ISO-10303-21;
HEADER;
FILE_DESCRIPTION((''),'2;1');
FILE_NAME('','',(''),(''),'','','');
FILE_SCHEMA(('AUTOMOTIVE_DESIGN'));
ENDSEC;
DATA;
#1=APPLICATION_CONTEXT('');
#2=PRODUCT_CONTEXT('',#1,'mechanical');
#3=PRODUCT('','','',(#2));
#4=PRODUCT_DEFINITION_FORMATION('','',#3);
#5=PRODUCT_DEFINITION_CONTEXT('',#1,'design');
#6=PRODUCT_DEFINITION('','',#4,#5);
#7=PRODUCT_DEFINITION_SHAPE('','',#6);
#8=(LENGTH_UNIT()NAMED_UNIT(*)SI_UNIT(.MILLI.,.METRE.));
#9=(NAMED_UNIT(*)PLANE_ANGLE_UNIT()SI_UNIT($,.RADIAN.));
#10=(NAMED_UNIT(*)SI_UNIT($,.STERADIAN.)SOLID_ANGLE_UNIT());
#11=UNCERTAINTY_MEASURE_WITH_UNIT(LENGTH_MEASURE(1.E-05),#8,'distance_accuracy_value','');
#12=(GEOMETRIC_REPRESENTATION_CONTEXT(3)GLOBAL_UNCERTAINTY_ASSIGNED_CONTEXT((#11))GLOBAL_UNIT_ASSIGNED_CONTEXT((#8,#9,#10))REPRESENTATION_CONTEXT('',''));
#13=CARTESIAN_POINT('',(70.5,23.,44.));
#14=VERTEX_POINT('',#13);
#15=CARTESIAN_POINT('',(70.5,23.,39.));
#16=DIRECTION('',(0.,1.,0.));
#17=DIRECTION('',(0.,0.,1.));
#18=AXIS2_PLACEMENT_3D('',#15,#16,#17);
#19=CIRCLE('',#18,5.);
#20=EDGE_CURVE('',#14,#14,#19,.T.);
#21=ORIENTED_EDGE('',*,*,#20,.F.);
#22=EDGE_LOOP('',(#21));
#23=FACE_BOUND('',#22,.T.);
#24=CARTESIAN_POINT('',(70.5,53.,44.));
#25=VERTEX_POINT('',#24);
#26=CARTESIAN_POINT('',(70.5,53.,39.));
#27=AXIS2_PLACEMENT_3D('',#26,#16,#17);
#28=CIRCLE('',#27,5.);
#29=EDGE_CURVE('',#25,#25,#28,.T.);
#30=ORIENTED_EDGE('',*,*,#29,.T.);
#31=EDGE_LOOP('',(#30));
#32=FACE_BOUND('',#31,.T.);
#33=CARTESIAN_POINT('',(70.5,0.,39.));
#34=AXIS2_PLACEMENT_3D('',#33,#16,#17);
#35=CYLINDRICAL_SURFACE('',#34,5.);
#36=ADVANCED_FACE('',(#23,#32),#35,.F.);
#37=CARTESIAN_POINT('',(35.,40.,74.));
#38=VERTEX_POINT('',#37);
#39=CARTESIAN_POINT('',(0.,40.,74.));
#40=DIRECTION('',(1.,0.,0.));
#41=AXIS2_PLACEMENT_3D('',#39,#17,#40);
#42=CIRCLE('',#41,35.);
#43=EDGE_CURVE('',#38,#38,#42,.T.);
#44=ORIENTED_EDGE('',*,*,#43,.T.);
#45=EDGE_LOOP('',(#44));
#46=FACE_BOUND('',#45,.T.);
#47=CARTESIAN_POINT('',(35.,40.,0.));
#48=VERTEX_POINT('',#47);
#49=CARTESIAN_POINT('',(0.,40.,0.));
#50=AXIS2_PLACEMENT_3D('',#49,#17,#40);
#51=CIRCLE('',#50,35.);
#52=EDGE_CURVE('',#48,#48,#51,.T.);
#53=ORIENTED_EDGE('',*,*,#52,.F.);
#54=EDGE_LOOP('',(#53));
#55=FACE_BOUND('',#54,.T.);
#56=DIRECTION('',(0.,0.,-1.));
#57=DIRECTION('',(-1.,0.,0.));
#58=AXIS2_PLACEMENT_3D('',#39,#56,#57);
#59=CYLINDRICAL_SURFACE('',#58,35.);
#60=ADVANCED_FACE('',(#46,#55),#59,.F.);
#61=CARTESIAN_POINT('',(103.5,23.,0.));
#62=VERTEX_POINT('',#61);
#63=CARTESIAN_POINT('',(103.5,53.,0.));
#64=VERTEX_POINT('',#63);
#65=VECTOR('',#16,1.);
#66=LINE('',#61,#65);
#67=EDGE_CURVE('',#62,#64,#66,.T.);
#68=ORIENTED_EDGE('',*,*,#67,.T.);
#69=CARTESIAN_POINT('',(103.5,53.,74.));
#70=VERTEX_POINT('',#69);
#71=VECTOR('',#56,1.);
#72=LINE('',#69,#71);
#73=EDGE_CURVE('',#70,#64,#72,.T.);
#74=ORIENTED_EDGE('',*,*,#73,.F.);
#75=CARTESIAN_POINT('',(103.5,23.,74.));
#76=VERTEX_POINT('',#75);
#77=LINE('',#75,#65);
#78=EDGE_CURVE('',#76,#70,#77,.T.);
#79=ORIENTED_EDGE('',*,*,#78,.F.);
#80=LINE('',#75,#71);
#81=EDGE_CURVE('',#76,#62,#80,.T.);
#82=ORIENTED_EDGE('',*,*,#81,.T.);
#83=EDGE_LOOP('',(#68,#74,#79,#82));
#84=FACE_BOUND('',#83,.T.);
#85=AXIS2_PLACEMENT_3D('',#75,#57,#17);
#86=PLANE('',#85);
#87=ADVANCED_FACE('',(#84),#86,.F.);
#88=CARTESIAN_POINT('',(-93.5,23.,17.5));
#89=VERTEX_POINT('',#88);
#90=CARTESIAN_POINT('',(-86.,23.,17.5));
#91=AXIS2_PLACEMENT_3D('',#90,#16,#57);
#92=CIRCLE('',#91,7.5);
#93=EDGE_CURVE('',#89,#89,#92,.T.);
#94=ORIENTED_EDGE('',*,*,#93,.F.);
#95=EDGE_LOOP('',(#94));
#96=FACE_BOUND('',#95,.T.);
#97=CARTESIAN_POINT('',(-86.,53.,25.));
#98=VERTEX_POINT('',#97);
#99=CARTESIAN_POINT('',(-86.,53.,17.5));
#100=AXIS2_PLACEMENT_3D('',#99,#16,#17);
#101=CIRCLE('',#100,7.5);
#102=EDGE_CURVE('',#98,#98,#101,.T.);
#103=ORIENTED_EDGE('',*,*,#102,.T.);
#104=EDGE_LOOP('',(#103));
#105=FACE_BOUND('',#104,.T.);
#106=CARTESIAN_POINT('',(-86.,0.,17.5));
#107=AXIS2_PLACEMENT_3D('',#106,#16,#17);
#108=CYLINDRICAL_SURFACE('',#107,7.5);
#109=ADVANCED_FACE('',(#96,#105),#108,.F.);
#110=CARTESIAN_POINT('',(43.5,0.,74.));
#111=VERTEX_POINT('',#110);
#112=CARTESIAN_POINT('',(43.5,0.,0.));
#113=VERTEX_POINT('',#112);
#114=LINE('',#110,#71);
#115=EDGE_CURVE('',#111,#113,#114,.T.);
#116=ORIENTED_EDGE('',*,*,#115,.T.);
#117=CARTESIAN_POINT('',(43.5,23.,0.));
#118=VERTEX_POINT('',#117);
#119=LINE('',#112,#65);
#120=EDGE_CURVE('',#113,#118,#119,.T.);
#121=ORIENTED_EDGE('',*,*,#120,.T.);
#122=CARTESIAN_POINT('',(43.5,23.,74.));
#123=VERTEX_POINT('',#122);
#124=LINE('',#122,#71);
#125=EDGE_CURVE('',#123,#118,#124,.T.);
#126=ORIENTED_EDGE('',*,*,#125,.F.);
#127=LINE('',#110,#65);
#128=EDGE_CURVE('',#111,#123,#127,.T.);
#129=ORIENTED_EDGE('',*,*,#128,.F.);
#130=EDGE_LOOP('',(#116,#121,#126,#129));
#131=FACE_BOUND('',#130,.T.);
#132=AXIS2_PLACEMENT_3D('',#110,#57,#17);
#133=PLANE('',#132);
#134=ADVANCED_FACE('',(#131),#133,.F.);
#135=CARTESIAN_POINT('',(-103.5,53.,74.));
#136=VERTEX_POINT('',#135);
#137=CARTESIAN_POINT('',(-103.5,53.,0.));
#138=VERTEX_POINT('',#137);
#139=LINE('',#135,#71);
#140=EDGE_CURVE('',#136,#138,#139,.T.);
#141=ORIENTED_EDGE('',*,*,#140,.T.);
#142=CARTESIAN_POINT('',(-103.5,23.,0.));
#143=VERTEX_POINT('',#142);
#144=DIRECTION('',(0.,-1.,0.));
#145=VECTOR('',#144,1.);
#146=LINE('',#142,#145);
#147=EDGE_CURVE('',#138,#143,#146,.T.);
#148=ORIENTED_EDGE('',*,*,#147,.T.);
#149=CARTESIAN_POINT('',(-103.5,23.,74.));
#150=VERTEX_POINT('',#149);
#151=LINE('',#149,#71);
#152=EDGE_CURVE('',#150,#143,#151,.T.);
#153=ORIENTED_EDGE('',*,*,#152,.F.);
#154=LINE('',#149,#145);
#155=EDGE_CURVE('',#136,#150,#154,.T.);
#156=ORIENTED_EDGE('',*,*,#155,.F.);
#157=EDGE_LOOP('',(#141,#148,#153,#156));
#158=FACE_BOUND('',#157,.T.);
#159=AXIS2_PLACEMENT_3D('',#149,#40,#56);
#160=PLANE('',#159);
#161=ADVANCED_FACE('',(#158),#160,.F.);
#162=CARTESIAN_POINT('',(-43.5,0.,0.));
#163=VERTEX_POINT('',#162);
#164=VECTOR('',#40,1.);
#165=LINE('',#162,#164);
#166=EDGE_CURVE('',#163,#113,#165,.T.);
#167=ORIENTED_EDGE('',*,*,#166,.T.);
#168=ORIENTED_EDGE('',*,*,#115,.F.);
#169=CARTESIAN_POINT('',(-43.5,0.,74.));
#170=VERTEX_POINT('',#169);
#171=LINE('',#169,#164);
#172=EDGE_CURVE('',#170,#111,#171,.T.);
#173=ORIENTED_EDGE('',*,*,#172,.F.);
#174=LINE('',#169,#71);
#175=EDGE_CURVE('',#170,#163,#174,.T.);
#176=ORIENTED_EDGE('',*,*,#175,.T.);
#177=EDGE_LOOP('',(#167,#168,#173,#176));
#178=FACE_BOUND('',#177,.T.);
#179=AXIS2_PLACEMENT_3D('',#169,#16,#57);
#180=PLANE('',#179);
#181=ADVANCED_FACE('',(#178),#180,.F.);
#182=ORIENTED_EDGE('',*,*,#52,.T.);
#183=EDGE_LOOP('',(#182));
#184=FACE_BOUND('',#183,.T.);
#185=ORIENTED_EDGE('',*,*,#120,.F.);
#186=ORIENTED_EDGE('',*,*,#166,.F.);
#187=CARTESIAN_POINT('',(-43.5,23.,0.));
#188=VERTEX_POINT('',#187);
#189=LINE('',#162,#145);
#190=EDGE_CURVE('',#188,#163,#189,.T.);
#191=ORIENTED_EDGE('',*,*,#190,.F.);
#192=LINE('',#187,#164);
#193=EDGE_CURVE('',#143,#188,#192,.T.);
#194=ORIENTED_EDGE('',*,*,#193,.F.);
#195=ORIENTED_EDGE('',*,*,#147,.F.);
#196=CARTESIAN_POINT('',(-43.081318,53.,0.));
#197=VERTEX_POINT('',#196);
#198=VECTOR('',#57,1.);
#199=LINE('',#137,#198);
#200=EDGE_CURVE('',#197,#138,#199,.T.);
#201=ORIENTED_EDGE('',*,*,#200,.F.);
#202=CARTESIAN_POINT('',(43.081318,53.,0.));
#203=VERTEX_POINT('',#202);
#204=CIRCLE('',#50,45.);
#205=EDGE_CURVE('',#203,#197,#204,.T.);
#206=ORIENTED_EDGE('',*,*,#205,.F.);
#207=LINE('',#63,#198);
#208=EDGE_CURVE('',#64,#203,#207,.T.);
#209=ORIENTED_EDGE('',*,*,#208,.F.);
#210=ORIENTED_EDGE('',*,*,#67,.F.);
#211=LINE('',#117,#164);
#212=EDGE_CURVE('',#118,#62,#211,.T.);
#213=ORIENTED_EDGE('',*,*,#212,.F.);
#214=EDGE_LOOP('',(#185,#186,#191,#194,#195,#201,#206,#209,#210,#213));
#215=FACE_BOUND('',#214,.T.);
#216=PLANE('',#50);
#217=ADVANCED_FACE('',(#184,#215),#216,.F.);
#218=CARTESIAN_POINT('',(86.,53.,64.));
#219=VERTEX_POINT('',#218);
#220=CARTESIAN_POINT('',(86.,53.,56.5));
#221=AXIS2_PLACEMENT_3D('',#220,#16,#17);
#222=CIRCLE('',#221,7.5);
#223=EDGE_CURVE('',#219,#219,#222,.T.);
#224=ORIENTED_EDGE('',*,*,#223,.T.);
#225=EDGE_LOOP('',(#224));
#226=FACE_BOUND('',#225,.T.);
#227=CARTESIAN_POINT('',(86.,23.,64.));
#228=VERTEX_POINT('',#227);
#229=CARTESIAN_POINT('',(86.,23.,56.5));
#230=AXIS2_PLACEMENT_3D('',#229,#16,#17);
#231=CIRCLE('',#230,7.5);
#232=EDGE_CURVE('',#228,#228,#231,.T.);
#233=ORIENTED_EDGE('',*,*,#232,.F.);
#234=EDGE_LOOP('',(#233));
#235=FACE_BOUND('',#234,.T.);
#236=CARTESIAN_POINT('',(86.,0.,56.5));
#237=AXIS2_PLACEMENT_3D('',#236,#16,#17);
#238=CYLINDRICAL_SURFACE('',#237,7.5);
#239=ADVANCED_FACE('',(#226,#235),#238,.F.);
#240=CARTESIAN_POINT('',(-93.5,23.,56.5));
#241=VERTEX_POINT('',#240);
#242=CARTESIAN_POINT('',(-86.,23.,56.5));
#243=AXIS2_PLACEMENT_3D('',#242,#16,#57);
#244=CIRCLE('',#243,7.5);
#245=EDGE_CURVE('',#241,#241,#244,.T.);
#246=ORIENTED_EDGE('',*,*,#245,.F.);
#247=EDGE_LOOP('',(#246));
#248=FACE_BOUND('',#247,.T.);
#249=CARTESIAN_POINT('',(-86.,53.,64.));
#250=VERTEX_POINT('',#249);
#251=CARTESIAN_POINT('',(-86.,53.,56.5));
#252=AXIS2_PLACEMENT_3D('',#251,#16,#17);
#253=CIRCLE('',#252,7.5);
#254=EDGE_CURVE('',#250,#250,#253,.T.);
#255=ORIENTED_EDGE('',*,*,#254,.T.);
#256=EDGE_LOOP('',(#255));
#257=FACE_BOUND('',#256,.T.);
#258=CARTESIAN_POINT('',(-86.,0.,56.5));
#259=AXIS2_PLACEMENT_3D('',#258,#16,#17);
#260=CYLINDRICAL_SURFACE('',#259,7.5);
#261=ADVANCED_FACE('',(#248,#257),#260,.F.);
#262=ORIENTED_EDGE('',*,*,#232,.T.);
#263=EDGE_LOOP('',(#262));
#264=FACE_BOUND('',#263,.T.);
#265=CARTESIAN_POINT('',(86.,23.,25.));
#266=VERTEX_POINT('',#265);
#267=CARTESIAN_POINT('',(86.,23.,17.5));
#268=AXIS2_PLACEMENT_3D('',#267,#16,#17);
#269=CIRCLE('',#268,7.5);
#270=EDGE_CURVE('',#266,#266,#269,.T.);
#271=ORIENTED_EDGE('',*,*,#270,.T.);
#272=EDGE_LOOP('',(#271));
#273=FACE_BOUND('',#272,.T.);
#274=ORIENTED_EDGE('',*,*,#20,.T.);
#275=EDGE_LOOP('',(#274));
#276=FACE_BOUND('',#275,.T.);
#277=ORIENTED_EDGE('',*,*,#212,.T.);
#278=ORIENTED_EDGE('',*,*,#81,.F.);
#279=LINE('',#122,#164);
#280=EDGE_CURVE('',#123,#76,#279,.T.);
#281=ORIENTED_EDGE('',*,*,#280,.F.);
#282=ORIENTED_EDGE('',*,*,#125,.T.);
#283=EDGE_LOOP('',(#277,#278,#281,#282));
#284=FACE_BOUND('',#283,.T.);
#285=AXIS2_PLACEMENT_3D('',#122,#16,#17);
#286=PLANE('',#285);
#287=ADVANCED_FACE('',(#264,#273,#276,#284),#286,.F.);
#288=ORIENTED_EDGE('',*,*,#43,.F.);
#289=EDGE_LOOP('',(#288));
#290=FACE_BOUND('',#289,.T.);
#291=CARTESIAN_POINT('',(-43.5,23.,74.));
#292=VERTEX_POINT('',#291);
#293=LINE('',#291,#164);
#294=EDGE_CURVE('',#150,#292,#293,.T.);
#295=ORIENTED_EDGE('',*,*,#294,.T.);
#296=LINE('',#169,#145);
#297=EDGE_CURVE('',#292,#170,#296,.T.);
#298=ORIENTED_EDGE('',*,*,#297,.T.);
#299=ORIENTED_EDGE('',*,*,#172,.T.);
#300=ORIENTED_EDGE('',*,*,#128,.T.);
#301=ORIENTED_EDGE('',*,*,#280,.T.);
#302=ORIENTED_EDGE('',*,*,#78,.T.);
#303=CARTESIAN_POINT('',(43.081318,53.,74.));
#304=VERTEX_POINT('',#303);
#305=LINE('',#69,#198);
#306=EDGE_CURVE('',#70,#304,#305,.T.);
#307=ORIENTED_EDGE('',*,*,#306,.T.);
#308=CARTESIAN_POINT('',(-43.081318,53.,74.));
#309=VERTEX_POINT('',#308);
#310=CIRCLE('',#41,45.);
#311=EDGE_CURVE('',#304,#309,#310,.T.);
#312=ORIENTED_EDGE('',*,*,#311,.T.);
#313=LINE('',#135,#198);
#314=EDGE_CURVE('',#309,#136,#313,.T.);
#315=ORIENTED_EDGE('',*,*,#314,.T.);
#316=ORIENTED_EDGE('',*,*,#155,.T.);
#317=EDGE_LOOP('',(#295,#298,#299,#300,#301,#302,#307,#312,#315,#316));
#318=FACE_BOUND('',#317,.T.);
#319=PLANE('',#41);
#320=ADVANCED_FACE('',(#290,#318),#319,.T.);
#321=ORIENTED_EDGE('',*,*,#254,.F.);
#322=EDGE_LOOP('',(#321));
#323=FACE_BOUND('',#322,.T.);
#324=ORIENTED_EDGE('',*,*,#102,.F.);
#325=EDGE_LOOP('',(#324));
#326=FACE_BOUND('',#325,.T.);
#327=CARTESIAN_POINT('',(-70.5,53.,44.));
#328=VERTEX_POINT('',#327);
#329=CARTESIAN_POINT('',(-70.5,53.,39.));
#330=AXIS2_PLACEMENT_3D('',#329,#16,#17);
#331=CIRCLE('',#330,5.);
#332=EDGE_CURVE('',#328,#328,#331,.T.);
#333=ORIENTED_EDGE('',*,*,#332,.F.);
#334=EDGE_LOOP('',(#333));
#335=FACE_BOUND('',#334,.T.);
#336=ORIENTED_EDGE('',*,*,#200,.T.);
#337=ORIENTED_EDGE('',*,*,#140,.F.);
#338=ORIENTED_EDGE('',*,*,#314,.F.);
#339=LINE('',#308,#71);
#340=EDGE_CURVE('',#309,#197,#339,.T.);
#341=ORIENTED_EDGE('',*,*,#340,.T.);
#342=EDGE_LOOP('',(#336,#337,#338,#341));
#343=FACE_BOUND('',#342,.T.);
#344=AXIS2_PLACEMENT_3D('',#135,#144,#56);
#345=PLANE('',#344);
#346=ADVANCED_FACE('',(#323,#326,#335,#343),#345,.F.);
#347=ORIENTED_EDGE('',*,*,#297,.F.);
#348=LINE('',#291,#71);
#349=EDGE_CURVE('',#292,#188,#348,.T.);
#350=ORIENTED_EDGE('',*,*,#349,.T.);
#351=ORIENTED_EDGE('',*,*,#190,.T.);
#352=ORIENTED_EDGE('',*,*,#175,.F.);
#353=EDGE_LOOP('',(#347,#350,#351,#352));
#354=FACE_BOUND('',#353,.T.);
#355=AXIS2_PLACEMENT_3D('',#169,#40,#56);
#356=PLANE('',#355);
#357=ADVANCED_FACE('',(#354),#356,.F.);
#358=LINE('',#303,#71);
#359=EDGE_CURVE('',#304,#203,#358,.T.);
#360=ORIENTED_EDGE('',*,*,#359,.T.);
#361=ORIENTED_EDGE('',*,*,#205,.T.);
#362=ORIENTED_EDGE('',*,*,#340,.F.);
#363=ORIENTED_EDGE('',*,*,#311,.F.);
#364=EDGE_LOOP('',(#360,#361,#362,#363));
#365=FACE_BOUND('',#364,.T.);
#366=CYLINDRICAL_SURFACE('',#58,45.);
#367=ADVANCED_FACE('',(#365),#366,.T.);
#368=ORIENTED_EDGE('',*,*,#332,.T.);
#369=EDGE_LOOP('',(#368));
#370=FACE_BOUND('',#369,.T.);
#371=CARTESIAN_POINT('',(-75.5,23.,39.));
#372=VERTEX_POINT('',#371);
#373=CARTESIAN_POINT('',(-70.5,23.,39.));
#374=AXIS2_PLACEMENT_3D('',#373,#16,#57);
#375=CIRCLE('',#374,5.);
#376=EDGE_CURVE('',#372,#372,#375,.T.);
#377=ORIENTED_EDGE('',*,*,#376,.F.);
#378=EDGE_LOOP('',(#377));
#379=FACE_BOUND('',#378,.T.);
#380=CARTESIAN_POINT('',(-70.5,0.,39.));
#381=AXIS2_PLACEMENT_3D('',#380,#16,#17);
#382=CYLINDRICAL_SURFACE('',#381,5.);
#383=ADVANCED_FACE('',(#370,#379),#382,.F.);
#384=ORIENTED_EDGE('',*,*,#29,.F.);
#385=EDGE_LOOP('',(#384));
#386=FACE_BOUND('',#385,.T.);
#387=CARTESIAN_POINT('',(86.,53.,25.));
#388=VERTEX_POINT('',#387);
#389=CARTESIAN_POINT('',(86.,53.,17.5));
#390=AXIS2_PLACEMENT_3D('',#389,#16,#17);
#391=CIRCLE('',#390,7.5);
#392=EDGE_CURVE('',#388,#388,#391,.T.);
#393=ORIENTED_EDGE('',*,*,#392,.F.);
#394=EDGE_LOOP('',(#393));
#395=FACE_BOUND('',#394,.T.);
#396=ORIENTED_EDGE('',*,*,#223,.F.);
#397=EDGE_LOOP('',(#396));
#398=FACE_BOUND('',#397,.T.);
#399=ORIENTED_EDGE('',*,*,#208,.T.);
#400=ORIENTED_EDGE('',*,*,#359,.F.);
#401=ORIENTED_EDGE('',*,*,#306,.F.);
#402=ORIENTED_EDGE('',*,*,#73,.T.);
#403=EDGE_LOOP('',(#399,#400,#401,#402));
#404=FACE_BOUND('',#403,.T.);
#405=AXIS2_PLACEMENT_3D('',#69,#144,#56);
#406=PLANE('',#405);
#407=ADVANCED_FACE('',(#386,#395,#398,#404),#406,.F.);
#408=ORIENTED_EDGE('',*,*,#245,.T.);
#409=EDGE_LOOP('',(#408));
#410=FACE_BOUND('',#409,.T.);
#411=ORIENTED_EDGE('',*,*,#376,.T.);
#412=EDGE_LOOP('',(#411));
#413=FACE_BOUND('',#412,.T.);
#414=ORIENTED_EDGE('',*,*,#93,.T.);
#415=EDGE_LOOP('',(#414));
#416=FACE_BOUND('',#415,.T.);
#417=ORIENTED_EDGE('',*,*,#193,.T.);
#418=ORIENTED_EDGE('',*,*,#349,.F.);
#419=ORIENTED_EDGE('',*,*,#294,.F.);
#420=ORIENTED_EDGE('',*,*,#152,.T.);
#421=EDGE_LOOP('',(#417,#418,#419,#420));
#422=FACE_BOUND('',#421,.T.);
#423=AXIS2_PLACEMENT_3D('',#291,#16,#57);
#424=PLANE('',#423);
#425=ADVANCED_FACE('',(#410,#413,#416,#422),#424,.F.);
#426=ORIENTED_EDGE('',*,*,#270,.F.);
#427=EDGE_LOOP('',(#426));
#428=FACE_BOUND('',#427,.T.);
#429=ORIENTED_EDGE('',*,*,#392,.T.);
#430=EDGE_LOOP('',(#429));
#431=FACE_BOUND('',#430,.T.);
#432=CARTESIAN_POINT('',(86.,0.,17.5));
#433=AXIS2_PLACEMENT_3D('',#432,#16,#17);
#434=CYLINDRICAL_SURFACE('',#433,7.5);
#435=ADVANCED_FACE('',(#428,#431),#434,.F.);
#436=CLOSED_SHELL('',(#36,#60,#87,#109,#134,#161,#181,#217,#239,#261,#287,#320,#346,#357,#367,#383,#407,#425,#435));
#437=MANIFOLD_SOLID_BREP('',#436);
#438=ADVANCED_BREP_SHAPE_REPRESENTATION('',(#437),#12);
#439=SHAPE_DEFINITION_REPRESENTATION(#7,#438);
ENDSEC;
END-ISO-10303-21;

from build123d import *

# Parameters (mm, degrees)
SKETCH_3_R          = 35
EXTRUDE_2_DEPTH     = 74
SKETCH_4_R          = 7.5
SKETCH_4_R_2        = 5
CUT_EXTRUDE_1_DEPTH = 138.830511861


with BuildPart() as part:
    # 草图3 → 凸台-拉伸2 (new body)
    with BuildSketch(Plane.XY):
        with BuildLine():
            Line((-43.5, 0), (43.5, 0))
            Line((43.5, 0), (43.5, 23))
            Line((43.5, 23), (103.5, 23))
            Line((103.5, 23), (103.5, 53))
            Line((103.5, 53), (43.081318457, 53))
            ThreePointArc((43.081318457, 53), (0, 85), (-43.081318457, 53))
            Line((-43.081318457, 53), (-103.5, 53))
            Line((-103.5, 53), (-103.5, 23))
            Line((-103.5, 23), (-43.5, 23))
            Line((-43.5, 23), (-43.5, 0))
        make_face()
        with Locations((0, 40)):
            Circle(SKETCH_3_R, mode=Mode.SUBTRACT)
    extrude(amount=EXTRUDE_2_DEPTH)

    # 草图4 → 切除-拉伸1 (cut, through all)
    with BuildSketch(Plane(origin=(0, 53, 0), x_dir=(1, 0, 0), z_dir=(0, 1, 0))):
        with Locations(Location((86, -17.5, 0), (0, 0, 270))):
            Circle(SKETCH_4_R)
        with Locations(Location((86, -56.5, 0), (0, 0, 270))):
            Circle(SKETCH_4_R)
        with Locations(Location((70.5, -39, 0), (0, 0, 270))):
            Circle(SKETCH_4_R_2)
        with Locations(Location((-86, -17.5, 0), (0, 0, 270))):
            Circle(SKETCH_4_R)
        with Locations(Location((-86, -56.5, 0), (0, 0, 270))):
            Circle(SKETCH_4_R)
        with Locations(Location((-70.5, -39, 0), (0, 0, 270))):
            Circle(SKETCH_4_R_2)
    extrude(amount=-CUT_EXTRUDE_1_DEPTH, mode=Mode.SUBTRACT)


solid = part.part
